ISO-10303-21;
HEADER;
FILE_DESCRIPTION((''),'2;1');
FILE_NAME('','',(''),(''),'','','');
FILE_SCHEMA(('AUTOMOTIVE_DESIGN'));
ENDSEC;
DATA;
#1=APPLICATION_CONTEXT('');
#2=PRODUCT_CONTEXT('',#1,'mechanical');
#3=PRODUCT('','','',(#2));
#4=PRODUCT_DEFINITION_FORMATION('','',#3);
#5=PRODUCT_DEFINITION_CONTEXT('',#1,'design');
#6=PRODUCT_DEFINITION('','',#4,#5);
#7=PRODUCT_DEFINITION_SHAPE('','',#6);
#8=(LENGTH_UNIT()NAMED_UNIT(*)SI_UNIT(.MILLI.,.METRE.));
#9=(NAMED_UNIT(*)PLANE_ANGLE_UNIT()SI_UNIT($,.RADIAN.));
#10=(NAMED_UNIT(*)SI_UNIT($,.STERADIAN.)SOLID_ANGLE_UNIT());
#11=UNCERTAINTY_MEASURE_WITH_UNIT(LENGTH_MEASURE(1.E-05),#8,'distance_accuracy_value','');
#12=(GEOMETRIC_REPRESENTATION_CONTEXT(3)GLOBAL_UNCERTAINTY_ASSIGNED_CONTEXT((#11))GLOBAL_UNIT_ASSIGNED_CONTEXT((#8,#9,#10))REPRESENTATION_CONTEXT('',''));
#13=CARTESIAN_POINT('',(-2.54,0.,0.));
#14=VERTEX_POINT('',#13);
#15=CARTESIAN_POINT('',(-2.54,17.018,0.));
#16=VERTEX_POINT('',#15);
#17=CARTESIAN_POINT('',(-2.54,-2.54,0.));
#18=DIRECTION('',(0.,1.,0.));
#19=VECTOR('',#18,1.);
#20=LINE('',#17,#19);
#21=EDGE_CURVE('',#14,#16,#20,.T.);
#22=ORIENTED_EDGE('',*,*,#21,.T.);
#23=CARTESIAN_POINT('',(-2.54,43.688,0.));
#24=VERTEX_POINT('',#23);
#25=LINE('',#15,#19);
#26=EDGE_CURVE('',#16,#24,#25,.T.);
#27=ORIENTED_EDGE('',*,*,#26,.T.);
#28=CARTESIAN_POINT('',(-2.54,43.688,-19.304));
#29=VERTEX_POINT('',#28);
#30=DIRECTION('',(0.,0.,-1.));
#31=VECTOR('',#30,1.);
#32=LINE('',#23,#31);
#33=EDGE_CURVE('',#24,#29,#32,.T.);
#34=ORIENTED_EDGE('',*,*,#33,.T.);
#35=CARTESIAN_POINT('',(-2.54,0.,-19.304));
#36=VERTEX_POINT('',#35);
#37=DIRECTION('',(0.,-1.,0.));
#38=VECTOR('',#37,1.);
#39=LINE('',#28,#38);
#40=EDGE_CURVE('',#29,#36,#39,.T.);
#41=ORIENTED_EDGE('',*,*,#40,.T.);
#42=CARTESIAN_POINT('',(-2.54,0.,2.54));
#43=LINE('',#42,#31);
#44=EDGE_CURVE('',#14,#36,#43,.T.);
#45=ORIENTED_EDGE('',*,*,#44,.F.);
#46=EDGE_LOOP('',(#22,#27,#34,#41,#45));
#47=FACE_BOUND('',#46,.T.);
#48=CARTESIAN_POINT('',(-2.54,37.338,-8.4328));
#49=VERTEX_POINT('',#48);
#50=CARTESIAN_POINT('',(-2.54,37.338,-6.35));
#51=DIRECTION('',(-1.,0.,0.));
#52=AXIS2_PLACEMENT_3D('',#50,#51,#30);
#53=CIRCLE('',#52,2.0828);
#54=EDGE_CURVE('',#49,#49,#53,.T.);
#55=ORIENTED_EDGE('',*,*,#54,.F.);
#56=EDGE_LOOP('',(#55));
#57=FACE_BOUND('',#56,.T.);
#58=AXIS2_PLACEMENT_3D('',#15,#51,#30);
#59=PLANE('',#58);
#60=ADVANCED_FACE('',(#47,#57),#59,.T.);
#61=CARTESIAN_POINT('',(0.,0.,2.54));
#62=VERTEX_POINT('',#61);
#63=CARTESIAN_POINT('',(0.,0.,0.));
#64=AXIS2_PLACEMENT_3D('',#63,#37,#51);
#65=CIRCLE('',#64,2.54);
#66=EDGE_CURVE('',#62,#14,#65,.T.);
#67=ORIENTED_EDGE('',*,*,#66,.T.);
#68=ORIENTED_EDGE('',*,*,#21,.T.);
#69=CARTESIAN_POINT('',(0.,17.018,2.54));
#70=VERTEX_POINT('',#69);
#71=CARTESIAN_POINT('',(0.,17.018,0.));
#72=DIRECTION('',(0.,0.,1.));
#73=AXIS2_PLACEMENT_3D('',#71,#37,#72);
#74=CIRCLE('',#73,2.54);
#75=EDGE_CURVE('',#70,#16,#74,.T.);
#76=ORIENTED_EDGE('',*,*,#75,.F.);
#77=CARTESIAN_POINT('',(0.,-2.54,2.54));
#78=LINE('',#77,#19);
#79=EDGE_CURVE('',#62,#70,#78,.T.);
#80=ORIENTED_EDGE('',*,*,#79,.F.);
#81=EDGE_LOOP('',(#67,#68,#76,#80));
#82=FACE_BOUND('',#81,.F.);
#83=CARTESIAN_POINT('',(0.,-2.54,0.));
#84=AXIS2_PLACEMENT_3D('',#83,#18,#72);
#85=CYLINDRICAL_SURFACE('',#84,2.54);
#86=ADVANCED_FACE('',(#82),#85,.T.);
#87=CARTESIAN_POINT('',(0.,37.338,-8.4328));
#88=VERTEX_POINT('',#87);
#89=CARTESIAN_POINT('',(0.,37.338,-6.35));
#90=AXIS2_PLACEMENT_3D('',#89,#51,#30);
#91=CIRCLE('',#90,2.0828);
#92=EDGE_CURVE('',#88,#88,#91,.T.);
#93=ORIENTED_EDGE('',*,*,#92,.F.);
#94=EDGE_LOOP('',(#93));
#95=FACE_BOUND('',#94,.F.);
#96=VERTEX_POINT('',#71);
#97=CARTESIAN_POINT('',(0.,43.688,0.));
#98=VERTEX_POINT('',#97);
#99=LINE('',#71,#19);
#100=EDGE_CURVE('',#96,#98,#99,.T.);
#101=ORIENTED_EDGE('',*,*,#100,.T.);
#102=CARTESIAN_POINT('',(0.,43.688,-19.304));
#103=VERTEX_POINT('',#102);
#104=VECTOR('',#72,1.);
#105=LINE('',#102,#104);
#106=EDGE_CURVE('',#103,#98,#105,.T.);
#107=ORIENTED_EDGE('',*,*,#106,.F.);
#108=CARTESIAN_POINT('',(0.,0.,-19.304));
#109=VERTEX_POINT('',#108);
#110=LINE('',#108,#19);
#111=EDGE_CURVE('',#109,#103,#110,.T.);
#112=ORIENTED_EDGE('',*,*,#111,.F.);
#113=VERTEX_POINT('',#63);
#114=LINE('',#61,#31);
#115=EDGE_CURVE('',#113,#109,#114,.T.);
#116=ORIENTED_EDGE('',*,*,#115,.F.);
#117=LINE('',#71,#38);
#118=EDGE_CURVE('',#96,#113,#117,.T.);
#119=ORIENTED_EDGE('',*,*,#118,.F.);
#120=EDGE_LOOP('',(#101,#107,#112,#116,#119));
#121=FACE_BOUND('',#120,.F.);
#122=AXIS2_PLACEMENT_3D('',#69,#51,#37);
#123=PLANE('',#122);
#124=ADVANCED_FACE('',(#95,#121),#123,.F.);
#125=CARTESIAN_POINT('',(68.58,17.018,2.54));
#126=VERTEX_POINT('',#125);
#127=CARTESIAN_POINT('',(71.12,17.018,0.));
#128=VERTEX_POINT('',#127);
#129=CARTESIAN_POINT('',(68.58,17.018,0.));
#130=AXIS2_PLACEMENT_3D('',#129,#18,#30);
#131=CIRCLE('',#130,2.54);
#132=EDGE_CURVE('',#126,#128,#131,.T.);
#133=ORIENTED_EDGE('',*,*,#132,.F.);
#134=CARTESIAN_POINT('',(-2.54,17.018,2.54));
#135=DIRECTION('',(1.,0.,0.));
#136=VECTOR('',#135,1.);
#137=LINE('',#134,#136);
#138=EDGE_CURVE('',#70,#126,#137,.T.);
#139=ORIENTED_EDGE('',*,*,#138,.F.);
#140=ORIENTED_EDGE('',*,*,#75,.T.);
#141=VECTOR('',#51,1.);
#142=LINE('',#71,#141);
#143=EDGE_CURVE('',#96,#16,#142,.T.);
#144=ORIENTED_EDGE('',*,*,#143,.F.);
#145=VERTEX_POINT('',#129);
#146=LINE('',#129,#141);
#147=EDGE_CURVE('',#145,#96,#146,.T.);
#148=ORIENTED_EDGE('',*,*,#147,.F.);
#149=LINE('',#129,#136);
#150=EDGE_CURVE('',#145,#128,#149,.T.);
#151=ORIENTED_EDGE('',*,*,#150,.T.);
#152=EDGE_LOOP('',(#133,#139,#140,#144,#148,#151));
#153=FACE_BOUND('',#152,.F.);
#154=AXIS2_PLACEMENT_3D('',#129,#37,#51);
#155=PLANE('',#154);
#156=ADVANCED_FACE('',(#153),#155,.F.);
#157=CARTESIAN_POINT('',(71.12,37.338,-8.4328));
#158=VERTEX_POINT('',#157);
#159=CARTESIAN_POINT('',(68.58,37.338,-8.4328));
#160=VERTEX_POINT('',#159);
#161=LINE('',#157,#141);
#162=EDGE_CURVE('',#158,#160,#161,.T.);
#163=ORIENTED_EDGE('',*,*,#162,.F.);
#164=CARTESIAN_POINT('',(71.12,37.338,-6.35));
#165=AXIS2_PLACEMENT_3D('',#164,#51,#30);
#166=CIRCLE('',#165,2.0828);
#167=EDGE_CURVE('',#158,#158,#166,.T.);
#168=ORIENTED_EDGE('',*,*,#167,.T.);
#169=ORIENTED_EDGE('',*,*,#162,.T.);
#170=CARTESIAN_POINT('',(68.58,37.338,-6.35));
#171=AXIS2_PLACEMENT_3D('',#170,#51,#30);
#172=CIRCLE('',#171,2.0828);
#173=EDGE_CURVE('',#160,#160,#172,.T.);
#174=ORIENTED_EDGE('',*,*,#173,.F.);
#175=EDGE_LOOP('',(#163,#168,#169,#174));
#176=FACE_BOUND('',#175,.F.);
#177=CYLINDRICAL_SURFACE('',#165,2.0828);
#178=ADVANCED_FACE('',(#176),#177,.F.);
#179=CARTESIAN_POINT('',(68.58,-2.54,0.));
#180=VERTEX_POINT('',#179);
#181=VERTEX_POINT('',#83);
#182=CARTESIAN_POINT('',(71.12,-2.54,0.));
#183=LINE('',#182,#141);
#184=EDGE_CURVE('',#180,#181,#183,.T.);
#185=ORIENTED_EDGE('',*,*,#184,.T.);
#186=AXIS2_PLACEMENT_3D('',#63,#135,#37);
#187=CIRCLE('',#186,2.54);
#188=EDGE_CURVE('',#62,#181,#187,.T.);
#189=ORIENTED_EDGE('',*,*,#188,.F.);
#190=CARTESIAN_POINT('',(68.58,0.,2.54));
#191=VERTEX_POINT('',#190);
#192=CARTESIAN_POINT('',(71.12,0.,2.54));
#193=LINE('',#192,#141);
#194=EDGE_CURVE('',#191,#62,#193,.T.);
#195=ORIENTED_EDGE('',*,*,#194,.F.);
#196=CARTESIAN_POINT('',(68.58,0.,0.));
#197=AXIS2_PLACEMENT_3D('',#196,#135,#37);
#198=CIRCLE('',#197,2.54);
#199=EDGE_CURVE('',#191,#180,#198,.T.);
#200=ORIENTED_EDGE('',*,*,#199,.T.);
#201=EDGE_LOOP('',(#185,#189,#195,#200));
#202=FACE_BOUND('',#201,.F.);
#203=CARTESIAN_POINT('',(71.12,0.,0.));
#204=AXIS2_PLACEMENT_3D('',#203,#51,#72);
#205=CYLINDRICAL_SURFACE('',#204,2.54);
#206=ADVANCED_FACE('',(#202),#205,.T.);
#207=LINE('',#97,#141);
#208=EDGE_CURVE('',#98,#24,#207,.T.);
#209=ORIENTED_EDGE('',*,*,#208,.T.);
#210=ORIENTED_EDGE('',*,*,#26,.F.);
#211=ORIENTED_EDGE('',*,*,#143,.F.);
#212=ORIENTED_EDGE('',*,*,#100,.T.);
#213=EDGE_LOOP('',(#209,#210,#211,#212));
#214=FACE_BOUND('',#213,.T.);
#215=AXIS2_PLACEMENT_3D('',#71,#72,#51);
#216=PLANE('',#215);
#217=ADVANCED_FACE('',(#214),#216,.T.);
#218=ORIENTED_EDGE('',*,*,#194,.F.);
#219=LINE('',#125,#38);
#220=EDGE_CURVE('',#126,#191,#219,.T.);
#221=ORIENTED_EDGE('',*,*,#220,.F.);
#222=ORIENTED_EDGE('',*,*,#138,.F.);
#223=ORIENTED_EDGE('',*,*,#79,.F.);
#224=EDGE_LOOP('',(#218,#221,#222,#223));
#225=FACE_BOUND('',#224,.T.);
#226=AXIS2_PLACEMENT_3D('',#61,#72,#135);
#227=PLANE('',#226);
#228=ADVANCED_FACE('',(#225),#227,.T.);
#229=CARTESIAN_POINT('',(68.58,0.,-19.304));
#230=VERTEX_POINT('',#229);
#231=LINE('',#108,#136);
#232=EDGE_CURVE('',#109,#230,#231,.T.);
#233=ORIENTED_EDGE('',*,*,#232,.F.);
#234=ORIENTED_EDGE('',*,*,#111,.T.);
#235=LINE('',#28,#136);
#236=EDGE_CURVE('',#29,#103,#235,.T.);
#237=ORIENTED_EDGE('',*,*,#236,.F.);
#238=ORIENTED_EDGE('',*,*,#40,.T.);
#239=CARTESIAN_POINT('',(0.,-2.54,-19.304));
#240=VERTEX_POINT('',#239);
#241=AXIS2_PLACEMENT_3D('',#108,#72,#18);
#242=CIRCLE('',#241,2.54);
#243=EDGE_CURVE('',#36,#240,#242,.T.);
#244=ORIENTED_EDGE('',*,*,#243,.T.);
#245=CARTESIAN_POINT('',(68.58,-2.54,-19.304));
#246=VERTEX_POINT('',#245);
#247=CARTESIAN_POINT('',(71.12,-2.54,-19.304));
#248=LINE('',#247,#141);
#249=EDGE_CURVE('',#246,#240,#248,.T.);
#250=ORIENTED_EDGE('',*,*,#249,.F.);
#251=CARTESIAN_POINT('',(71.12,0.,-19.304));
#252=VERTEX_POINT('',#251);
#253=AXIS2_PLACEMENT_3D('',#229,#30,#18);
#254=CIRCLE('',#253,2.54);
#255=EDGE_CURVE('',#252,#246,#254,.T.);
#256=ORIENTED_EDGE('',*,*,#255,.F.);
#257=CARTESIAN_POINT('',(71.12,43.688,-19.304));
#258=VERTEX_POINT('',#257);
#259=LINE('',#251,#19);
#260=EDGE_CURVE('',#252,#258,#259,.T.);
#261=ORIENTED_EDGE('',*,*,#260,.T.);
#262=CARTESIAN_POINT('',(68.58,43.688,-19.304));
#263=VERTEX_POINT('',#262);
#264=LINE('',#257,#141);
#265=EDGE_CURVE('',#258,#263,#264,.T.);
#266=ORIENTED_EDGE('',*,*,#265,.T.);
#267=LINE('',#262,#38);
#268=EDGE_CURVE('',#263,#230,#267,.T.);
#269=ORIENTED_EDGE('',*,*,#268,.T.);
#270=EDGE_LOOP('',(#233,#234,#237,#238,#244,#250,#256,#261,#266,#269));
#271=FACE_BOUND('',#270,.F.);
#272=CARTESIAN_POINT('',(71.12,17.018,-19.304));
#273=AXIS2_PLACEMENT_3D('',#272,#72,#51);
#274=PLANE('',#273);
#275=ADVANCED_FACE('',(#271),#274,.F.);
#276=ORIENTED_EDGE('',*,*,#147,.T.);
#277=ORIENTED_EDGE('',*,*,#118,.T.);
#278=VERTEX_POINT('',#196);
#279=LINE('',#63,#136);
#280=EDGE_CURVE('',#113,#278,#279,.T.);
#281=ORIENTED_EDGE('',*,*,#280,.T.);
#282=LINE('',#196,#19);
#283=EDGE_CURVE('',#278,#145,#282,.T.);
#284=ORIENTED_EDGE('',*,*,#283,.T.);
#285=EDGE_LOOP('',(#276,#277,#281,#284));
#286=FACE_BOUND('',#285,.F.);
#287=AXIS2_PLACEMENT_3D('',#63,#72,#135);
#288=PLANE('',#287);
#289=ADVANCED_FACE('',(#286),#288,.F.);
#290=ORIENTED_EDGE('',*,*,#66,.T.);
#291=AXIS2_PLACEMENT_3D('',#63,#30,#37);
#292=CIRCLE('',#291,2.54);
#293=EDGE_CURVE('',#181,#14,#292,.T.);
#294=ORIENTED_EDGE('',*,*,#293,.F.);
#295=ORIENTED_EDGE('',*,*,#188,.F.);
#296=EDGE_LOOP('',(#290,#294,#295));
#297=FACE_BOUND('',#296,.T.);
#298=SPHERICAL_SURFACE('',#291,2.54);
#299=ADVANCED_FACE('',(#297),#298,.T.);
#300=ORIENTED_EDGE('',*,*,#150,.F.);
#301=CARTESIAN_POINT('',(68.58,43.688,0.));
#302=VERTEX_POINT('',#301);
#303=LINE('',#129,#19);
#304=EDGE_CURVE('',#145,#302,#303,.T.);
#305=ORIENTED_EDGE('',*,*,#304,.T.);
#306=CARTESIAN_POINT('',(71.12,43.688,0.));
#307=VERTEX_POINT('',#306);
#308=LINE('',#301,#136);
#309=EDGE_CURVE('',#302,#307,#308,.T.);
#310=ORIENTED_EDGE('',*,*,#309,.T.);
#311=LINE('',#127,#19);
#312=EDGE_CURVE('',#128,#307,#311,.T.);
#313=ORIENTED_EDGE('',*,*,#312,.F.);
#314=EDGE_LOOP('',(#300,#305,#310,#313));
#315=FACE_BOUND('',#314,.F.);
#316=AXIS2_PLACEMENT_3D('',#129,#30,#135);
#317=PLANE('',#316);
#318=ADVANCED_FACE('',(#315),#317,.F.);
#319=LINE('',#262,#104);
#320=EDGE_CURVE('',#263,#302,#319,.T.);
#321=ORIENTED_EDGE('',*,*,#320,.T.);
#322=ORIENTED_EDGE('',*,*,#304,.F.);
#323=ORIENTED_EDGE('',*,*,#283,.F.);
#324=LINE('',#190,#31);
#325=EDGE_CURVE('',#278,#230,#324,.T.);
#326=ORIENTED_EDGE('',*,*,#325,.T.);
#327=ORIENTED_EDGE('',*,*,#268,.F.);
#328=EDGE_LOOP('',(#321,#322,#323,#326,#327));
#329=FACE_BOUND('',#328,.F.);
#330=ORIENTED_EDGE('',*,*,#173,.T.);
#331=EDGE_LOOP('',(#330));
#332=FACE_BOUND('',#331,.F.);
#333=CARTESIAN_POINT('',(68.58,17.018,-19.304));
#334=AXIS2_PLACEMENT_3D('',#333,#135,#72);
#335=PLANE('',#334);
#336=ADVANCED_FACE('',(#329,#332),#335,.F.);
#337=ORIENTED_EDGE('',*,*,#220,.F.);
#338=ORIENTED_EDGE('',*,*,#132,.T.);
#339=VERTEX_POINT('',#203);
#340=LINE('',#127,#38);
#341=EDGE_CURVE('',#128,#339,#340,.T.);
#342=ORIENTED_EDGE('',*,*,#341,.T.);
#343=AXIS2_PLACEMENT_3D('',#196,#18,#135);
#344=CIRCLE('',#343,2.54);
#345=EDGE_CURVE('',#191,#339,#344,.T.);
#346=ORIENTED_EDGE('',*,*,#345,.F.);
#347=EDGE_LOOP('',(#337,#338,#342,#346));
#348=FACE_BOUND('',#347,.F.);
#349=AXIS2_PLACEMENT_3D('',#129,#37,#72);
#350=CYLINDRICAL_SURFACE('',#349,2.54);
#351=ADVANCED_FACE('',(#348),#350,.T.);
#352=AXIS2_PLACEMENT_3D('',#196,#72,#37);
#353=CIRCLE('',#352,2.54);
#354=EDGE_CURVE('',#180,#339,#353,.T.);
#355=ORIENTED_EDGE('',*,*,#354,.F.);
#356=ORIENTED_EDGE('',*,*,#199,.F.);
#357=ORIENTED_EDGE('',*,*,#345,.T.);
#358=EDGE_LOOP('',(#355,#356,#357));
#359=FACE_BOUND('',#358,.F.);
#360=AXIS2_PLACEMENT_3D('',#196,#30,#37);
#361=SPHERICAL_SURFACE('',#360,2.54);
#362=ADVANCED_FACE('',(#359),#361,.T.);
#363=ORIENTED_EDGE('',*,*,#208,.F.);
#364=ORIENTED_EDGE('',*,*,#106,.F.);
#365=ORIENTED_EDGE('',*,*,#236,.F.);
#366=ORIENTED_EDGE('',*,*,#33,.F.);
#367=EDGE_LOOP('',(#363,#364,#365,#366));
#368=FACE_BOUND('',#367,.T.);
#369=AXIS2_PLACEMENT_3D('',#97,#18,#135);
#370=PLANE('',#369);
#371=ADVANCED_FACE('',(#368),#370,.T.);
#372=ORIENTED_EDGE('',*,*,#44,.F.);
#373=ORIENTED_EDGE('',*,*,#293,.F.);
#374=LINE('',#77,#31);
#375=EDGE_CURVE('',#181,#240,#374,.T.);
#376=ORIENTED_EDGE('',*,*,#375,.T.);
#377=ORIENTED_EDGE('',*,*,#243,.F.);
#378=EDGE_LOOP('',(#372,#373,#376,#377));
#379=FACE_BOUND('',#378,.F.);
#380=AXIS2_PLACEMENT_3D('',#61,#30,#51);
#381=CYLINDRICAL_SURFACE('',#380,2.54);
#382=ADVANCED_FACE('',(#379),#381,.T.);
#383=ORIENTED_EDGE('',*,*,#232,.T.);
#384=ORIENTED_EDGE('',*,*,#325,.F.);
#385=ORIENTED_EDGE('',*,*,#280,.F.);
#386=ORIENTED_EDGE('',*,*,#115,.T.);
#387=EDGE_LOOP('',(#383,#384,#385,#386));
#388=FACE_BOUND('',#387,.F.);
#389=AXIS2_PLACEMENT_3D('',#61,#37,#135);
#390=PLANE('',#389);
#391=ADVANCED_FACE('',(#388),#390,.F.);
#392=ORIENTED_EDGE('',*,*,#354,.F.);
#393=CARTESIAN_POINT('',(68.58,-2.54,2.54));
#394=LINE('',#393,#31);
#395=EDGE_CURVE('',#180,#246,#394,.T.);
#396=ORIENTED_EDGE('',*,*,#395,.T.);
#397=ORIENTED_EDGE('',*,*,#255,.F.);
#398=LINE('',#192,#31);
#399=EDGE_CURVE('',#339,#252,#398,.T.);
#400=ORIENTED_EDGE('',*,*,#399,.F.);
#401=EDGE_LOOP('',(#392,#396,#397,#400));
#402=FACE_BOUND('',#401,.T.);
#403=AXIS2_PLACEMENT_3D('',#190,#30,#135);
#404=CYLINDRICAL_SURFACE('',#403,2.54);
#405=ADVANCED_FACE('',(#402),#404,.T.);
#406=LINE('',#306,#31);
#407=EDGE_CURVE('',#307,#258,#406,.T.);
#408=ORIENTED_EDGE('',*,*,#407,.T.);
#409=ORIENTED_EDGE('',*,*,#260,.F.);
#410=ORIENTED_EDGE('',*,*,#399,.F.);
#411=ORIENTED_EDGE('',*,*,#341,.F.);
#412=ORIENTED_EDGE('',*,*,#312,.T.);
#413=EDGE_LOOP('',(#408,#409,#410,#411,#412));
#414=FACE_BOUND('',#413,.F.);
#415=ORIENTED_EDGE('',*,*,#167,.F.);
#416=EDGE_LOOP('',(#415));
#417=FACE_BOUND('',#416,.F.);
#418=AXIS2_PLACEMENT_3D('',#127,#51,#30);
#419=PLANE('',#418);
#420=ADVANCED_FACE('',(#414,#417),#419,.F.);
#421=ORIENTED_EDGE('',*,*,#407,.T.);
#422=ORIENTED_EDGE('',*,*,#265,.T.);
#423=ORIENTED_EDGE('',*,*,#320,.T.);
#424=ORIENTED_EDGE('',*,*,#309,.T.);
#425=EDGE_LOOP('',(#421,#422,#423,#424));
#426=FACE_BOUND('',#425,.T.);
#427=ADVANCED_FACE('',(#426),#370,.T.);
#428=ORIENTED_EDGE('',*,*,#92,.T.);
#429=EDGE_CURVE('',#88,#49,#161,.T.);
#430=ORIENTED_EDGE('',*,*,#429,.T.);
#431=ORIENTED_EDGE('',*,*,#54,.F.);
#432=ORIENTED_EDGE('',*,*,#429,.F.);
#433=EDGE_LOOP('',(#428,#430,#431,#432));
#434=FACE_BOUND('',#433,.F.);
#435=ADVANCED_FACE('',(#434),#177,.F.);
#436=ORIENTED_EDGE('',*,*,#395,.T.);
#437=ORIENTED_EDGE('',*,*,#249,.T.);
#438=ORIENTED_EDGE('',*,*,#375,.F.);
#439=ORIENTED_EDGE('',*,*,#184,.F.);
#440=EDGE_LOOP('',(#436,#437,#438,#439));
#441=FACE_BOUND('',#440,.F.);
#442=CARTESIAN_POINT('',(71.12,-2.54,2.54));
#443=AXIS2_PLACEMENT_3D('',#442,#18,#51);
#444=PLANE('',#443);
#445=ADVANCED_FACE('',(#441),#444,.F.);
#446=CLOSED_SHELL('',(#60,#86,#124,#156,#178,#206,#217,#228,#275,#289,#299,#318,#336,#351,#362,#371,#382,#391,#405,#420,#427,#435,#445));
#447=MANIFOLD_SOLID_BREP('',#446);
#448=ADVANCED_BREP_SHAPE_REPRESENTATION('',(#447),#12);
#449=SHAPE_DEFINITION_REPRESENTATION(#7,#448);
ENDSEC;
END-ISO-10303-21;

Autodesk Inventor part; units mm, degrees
ref_plane "YZ Plane" through (0, 0, 0) normal (1, 0, 0) x (0, 1, 0)
ref_plane "XZ Plane" through (0, 0, 0) normal (0, 1, 0) x (-1, 0, 0)
ref_plane "XY Plane" through (0, 0, 0) normal (0, 0, 1) x (1, 0, 0)
sketch "Sketch1" plane through (0, 0, 0) normal (0, 0, 1) x (1, 0, 0)
  line L0 (0, 0) -> (68.58, 0)
  line L1 (68.58, 0) -> (68.58, 17.018)
  line L2 (68.58, 17.018) -> (0, 17.018)
  line L3 (0, 17.018) -> (0, 0)
  dimension "d0" = 17.018
  dimension "d1" = 68.58
extrude "Extrusion1" add sketch "Sketch1" along normal blind 2.54
sketch "Sketch2" plane through (0, 0, 2.54) normal (0, 0, 1) x (1, 0, 0)
  line L0 (0, 0) -> (68.58, 0) projected
  line L1 (68.58, 0) -> (68.58, 17.018) projected
  line L2 (68.58, 17.018) -> (0, 17.018) projected
  line L3 (0, 17.018) -> (0, 0) projected
  line L4 (-2.54, 17.018) -> (71.12, 17.018)
  line L5 (71.12, 17.018) -> (71.12, -2.54)
  line L6 (71.12, -2.54) -> (-2.54, -2.54)
  line L7 (-2.54, -2.54) -> (-2.54, 17.018)
  dimension "d4" = 0
  dimension "d5" = 2.54
  dimension "d6" = 2.54
  dimension "d7" = 2.54
extrude "Extrusion2" add sketch "Sketch2" against normal blind 21.844 contours L0 L1 L4 L5 L6 L7 L3
fillet "Fillet1" radius 2.54 5 edges at (71.12, -2.54, -8.382) (-2.54, -2.54, -8.382) (34.29, -2.54, 2.54) (71.12, 7.239, 2.54) (-2.54, 7.239, 2.54)
sketch "Sketch3" plane through (0, 17.018, 0) normal (0, 1, 0) x (1, 0, 0)
  arc A0 (68.58, -2.54) -> (71.12, 0) centre (68.58, 0) ccw projected
  arc A1 (-2.54, 0) -> (0, -2.54) centre (0, 0) ccw projected
  line L0 (-2.54, 19.304) -> (0, 19.304)
  line L1 (0, 19.304) -> (0, 0)
  line L2 (0, 0) -> (-2.54, 0)
  line L3 (-2.54, 0) -> (-2.54, 19.304)
  line L4 (68.58, 0) -> (71.12, 0)
  line L5 (71.12, 0) -> (71.12, 19.304)
  line L6 (71.12, 19.304) -> (68.58, 19.304)
  line L7 (68.58, 19.304) -> (68.58, 0)
extrude "Extrusion3" add sketch "Sketch3" along normal blind 26.67
hole "Hole1" at (71.12, 37.338, -6.35) direction (-1, 0, 0) diameter 4.1656 end through all
equation "\"d6\" = d5"
equation "\"d7\" = d6"
properties part number "Back_Shield"
